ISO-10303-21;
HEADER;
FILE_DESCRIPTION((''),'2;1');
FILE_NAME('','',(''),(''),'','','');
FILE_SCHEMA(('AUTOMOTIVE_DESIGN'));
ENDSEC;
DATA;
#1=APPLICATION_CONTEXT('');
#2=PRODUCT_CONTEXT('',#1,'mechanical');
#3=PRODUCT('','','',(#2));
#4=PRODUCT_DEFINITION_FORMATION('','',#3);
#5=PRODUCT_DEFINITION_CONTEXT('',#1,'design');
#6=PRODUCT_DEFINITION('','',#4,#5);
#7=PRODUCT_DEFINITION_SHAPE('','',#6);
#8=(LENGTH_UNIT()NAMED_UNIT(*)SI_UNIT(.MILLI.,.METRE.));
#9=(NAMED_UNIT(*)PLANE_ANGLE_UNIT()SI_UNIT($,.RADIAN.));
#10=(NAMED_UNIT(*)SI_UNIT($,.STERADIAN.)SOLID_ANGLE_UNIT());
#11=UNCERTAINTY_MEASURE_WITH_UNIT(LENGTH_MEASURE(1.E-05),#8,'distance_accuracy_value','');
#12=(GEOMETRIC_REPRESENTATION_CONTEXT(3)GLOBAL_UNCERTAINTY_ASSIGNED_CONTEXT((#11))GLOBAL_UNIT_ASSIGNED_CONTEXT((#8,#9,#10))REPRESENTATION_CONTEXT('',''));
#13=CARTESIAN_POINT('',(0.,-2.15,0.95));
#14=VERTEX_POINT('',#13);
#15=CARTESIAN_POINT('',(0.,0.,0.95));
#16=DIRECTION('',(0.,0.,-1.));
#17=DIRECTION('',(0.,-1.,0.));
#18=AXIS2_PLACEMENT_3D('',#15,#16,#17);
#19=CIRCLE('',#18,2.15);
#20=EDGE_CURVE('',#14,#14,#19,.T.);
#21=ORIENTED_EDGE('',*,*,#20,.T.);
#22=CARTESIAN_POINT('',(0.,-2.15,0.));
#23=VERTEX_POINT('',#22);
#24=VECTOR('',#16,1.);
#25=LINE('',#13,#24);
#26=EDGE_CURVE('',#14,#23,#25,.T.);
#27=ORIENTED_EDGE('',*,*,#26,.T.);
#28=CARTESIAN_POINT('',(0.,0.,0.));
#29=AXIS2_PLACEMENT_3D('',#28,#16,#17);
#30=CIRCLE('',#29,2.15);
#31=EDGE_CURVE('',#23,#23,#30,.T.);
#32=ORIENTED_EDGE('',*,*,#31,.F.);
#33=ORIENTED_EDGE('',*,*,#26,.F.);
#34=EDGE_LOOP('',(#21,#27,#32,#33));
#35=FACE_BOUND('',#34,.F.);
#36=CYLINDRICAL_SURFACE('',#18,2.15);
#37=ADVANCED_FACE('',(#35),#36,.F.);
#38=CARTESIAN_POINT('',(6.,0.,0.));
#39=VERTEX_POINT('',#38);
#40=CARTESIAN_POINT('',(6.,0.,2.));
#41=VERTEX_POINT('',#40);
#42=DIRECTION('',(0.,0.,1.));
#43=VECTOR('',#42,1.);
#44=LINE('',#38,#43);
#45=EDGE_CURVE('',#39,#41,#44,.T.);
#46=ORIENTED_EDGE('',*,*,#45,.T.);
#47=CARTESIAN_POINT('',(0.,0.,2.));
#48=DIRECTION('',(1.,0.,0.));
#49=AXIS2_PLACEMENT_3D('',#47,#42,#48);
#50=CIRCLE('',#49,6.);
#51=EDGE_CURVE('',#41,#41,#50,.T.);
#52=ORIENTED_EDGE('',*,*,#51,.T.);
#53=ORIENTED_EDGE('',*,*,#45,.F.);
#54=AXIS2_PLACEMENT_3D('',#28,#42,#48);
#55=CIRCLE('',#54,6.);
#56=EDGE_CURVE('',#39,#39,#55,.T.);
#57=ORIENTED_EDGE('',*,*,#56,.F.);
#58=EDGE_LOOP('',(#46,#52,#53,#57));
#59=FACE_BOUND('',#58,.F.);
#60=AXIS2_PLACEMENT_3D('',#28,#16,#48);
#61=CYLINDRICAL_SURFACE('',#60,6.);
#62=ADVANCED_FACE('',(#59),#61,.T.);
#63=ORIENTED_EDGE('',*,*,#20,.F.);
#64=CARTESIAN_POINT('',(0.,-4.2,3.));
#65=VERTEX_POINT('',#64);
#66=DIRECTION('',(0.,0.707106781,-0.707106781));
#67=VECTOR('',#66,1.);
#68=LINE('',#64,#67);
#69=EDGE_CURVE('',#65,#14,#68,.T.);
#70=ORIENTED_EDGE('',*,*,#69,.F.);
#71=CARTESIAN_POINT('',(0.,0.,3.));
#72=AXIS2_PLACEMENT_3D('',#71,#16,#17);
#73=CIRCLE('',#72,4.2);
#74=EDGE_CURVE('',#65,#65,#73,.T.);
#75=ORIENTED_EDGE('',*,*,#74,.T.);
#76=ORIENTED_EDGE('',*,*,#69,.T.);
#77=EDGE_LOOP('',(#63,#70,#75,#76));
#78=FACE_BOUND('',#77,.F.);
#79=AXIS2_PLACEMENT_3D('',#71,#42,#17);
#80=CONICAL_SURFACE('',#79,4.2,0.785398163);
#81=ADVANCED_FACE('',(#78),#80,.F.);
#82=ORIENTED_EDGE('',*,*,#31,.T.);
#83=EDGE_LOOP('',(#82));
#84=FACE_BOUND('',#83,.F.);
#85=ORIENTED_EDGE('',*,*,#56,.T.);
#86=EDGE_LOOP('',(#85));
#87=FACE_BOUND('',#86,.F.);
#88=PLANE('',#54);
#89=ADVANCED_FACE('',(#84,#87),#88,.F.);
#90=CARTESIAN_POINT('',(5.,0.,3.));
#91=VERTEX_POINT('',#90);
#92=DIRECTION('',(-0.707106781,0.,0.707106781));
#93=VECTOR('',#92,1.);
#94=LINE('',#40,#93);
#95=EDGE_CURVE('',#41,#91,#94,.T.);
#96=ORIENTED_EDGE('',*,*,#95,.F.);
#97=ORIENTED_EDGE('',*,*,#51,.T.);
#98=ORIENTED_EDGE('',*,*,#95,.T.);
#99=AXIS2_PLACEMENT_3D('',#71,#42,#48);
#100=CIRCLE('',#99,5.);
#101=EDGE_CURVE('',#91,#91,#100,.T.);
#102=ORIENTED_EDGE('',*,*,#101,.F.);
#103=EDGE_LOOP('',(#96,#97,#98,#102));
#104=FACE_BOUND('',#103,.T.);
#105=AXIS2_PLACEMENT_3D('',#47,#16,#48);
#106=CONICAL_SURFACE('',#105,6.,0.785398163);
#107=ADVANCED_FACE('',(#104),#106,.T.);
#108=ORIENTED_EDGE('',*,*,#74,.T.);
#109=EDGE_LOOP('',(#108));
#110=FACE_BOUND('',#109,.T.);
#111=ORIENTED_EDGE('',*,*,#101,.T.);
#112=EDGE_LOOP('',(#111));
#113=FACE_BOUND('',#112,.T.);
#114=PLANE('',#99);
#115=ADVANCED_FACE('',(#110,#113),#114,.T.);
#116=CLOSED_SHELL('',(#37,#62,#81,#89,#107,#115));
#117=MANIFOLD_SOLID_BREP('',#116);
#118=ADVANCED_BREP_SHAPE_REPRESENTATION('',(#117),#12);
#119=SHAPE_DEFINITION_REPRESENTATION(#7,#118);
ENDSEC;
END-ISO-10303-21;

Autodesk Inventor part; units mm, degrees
ref_plane "YZ Plane" through (0, 0, 0) normal (1, 0, 0) x (0, 1, 0)
ref_plane "XZ Plane" through (0, 0, 0) normal (0, 1, 0) x (-1, 0, 0)
ref_plane "XY Plane" through (0, 0, 0) normal (0, 0, 1) x (1, 0, 0)
sketch "Skizze1" plane through (0, 0, 0) normal (0, 0, 1) x (1, 0, 0)
  circle A0 centre (0, 0) radius 6
  dimension "d0" = 12
extrude "Extrusion1" add sketch "Skizze1" along normal blind 3
chamfer "Fasen1" distance 1 angle 45 1 edges at (-6, 0, 3)
sketch "Skizze2" plane through (0, 0, 3) normal (0, 0, 1) x (1, 0, 0)
  circle A0 centre (0, 0) radius 5 projected
hole "Bohrung1" at (0, 0, 3) direction (0, 0, -1) diameter 4.3 depth 3 countersink diameter 8.4 countersink angle 90
properties part number "Druckscheibe" material "Titan"
